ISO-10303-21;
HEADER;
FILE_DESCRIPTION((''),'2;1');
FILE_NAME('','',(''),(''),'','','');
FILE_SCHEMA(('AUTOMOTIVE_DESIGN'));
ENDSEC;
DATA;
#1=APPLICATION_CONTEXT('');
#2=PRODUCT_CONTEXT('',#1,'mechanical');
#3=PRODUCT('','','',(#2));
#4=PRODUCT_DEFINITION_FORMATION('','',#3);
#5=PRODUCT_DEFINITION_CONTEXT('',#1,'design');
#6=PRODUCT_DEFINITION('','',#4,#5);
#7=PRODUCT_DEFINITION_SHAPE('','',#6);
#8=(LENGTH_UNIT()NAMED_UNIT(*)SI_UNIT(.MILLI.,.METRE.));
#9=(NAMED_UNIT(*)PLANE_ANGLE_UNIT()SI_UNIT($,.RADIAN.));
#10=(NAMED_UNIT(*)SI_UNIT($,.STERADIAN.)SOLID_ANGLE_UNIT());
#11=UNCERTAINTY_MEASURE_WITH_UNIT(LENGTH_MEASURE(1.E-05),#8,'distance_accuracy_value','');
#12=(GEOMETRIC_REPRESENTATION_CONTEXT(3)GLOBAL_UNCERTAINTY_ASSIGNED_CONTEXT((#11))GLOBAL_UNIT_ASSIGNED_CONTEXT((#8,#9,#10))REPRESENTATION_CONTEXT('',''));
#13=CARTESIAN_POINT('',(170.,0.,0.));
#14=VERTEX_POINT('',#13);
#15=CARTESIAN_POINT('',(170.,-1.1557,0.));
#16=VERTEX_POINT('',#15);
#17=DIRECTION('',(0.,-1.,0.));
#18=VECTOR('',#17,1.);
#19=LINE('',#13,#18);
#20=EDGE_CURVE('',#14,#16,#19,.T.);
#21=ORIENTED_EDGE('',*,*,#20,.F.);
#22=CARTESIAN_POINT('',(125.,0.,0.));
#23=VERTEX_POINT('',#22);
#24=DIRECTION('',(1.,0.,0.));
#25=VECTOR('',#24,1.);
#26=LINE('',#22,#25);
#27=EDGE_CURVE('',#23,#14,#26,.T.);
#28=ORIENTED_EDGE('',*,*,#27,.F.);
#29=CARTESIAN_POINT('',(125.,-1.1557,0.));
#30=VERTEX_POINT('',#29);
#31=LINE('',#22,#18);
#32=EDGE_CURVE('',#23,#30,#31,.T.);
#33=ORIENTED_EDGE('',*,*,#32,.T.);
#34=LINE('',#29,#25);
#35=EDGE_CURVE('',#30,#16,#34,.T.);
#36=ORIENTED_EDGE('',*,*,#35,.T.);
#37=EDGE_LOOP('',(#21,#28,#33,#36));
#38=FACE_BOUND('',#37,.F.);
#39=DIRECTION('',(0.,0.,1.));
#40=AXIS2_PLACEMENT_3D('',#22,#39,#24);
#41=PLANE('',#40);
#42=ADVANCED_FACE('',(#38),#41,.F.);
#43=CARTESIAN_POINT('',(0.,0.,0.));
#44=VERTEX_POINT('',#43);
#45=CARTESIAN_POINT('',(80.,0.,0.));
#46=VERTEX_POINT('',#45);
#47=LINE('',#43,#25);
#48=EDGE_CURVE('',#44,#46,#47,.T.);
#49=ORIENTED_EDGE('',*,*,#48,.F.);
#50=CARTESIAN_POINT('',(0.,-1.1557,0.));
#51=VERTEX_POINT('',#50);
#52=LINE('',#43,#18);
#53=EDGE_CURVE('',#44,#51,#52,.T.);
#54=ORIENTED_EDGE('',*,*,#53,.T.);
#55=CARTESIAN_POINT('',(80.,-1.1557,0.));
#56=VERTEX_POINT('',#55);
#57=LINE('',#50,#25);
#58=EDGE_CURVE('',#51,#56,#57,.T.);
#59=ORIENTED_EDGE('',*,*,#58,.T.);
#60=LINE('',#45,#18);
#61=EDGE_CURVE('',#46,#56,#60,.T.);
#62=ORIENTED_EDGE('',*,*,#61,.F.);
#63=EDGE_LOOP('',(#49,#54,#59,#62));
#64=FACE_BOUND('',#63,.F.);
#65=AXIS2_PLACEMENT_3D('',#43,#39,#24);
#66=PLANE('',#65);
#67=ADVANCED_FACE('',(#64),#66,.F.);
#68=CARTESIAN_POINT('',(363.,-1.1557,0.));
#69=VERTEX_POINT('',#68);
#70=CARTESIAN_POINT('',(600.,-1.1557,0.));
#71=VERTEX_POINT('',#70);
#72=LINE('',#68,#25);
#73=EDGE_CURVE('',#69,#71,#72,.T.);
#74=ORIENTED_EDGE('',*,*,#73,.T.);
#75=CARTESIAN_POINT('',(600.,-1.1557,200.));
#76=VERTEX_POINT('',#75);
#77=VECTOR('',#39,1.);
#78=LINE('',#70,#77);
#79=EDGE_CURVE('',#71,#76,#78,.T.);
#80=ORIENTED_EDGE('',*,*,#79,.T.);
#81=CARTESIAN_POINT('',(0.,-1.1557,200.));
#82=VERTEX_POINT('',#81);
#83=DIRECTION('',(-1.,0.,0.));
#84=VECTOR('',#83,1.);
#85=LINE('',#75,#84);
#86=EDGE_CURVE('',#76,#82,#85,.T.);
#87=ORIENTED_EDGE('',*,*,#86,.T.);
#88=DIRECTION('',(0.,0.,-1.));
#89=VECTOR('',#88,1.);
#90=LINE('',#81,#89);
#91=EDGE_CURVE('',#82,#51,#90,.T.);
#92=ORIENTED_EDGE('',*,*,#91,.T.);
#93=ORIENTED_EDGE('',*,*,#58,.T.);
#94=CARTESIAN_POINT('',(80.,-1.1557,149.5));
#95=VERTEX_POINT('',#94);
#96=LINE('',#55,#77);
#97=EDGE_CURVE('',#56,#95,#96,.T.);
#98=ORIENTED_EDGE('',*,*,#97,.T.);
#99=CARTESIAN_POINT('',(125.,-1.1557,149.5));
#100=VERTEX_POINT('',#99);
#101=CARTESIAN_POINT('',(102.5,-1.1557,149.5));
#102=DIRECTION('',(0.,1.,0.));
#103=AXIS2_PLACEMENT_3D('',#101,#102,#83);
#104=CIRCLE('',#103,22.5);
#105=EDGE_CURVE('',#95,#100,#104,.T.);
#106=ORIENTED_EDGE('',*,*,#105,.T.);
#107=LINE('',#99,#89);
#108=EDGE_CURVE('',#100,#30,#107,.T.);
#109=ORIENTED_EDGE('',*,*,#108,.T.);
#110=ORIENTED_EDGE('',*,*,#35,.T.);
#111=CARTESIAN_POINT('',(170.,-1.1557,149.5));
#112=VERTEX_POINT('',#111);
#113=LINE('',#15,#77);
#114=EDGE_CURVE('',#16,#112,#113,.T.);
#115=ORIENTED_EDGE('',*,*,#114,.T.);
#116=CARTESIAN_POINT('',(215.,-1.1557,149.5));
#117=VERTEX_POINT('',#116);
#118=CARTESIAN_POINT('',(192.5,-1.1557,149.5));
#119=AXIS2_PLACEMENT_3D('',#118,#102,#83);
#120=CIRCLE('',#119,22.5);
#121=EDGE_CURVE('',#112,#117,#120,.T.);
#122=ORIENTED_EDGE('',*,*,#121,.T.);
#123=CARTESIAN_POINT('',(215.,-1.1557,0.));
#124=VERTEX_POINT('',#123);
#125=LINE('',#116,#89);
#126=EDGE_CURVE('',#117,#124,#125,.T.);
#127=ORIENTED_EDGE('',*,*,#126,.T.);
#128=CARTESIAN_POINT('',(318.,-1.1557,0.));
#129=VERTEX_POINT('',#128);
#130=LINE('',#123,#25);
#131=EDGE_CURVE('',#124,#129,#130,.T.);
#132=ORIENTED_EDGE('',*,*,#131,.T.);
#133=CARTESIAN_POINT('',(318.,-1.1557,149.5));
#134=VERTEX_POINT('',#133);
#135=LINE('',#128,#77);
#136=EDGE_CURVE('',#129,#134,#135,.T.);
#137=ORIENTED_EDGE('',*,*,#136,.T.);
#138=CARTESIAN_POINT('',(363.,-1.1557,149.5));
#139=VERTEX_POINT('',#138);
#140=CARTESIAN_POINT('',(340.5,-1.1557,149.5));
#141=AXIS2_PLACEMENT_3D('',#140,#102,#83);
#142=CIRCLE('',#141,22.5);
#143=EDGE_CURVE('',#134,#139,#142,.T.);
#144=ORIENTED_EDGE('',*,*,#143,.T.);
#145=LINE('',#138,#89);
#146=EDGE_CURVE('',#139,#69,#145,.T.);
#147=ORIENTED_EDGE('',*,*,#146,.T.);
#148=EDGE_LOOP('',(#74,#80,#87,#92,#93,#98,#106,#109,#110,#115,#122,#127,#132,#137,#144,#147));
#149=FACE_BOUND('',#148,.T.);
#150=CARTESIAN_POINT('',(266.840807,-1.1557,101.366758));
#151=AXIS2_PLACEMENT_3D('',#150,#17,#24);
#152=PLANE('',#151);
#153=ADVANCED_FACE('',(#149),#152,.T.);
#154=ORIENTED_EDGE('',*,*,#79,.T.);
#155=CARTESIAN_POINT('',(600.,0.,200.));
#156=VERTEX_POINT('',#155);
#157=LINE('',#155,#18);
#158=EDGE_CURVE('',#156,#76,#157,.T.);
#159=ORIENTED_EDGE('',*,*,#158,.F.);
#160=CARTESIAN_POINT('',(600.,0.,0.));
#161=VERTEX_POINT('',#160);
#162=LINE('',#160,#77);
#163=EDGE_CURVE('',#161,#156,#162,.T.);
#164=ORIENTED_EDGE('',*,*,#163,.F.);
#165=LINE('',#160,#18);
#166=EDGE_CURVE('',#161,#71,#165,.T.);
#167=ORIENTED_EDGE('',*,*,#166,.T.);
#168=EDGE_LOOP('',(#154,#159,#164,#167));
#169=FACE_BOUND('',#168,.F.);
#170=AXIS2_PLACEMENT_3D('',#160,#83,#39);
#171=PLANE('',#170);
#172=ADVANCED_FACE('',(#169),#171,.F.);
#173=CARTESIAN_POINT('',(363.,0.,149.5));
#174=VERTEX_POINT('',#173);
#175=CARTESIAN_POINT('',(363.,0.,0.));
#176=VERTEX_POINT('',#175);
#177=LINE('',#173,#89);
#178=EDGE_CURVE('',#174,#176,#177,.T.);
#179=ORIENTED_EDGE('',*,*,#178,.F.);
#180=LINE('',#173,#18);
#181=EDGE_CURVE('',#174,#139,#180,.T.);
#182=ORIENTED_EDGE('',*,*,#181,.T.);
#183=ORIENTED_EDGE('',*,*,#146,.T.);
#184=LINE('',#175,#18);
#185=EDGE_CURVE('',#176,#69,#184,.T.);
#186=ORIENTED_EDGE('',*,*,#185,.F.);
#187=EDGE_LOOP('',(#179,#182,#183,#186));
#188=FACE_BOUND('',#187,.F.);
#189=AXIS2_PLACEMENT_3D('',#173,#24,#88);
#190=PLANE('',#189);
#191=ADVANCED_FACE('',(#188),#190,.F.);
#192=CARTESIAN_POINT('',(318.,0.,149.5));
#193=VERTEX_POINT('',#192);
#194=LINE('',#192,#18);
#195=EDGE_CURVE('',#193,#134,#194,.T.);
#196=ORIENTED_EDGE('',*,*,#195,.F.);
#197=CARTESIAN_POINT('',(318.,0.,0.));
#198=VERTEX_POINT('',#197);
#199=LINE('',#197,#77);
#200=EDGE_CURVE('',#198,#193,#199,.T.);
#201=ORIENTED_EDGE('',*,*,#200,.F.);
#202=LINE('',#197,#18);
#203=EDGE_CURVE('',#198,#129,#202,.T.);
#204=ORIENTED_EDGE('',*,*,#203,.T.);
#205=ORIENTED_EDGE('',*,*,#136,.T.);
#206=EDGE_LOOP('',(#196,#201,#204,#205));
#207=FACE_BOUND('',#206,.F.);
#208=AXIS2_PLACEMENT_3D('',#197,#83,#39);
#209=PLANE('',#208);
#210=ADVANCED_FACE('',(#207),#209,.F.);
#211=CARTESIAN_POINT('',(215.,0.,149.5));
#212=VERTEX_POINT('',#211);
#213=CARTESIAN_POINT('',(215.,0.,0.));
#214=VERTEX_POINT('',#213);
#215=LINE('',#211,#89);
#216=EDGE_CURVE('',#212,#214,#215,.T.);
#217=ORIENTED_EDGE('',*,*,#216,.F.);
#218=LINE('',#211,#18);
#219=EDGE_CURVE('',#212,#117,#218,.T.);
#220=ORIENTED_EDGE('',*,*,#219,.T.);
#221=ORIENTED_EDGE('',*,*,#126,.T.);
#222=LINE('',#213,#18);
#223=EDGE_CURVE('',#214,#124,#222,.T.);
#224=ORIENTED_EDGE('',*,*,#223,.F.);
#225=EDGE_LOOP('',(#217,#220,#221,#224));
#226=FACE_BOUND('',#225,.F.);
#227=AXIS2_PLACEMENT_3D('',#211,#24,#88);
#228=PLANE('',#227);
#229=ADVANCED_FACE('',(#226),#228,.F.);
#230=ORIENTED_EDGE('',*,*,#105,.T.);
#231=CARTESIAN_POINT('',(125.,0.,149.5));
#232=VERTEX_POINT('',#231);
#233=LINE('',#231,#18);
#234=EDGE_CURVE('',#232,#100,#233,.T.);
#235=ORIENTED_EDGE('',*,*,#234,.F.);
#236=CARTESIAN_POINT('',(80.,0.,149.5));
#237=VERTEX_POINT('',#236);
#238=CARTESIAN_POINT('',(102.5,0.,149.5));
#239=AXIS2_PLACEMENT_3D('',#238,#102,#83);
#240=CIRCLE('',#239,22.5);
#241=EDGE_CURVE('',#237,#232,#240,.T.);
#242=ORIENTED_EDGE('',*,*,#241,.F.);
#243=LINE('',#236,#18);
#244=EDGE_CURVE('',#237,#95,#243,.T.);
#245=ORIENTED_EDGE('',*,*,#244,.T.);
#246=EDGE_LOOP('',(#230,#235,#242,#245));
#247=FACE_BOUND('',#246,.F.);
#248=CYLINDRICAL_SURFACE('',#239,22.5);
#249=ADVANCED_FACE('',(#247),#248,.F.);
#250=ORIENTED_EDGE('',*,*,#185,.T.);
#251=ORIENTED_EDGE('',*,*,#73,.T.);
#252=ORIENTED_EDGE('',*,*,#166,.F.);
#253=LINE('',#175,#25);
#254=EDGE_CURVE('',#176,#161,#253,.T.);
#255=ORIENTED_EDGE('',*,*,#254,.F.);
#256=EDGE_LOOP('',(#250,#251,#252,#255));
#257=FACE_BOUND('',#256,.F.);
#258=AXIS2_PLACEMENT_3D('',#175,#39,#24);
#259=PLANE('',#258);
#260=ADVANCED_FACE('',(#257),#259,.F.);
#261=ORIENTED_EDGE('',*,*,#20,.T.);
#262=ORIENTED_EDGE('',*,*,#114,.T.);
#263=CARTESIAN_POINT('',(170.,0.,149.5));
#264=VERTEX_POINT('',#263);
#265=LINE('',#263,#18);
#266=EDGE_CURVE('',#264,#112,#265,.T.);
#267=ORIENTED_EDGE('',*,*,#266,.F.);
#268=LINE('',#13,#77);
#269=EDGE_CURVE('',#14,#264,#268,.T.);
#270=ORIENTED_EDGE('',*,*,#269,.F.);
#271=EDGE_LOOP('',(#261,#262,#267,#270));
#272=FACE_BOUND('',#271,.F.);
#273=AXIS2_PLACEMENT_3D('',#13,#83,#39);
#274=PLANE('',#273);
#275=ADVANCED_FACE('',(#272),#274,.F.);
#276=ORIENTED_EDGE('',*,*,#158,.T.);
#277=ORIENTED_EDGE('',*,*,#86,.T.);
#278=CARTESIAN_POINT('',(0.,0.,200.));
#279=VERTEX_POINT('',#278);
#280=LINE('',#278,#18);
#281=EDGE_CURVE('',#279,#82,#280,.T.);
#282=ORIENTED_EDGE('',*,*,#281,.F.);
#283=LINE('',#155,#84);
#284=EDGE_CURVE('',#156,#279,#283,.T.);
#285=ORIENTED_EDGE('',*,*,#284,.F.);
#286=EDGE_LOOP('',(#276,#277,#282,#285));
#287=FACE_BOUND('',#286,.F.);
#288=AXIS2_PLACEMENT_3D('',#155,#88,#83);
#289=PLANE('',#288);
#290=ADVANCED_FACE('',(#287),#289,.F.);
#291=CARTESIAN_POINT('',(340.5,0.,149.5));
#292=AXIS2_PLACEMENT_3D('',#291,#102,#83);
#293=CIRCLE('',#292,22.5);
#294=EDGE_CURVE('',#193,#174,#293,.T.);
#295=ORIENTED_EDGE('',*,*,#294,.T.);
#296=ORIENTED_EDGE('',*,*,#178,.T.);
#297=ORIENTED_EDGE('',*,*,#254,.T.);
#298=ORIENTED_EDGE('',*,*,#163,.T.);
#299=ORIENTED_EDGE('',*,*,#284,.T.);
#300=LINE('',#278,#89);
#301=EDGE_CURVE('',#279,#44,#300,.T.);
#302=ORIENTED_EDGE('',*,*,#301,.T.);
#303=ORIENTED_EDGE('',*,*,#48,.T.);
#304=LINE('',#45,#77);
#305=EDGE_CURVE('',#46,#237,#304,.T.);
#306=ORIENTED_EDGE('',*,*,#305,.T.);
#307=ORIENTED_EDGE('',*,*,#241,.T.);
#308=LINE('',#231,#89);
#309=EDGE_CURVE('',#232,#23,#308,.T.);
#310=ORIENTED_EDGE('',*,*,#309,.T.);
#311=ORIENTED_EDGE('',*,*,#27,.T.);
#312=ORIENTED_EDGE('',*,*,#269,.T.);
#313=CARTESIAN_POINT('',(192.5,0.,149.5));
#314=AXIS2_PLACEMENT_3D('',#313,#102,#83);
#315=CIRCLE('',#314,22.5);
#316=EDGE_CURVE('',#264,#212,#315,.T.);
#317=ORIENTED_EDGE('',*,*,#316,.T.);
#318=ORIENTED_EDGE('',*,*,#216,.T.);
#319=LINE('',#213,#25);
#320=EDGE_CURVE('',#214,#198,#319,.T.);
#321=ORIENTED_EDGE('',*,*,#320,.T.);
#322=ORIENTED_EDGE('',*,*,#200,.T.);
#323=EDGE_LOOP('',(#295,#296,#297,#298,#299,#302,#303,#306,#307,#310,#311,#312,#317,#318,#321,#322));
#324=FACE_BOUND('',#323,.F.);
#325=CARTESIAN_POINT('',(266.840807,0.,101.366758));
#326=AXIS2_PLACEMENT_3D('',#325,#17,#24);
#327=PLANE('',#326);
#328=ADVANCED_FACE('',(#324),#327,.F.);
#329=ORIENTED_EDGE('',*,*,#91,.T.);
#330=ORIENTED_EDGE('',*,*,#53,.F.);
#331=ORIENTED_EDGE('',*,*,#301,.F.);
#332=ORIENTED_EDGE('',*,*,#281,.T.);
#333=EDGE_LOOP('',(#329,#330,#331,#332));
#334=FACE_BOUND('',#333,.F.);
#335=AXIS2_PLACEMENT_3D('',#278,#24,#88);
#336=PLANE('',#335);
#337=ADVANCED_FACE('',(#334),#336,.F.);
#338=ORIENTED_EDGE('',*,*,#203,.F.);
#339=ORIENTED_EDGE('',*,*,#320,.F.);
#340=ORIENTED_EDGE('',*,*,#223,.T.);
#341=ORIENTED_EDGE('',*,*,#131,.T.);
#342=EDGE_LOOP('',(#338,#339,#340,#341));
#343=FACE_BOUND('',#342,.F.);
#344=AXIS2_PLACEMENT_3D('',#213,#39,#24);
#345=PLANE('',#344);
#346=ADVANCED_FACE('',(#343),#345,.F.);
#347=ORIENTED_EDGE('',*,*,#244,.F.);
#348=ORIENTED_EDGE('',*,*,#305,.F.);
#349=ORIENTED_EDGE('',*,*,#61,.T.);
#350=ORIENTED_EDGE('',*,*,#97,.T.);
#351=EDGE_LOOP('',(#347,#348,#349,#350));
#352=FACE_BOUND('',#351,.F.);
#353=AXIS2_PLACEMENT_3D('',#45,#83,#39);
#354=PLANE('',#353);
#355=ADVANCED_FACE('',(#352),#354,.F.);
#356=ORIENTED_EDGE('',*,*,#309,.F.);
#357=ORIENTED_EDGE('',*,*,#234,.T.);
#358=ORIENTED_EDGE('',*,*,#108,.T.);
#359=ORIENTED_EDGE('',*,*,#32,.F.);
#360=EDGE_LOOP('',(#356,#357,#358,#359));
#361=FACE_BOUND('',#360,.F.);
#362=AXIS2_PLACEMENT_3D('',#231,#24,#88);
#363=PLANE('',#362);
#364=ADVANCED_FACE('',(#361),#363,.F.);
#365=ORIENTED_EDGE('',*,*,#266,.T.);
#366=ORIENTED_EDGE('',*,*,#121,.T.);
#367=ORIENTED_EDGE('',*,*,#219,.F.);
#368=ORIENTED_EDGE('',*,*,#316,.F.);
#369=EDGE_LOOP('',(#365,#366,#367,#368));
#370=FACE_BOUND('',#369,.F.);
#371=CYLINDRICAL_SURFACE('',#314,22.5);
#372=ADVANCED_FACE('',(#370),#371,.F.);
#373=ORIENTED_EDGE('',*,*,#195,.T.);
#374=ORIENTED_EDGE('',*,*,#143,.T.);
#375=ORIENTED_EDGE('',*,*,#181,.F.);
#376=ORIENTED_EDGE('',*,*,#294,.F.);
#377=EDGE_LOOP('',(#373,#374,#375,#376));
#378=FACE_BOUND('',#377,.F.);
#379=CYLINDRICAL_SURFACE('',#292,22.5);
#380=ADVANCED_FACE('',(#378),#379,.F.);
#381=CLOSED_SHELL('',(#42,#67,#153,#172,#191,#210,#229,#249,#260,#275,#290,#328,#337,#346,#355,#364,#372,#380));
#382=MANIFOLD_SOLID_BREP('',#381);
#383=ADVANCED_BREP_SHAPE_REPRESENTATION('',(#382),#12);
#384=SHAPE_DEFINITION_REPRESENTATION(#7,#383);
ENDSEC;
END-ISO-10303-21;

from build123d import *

# Parameters (mm, degrees)
F1_DEPTH = 1.1557


with BuildPart() as f1:
    # F0 (on Front) → F1 (new body)
    with BuildSketch(Plane.XZ):
        with BuildLine():
            Line((0, 200), (0, 0))
            Line((0, 0), (80, 0))
            Line((80, 0), (80, 149.5))
            ThreePointArc((80, 149.5), (102.5, 172), (125, 149.5))
            Line((125, 149.5), (125, 0))
            Line((125, 0), (170, 0))
            Line((170, 0), (170, 149.5))
            ThreePointArc((170, 149.5), (192.5, 172), (215, 149.5))
            Line((215, 149.5), (215, 0))
            Line((215, 0), (318, 0))
            Line((318, 0), (318, 149.5))
            ThreePointArc((318, 149.5), (340.5, 172), (363, 149.5))
            Line((363, 149.5), (363, 0))
            Line((363, 0), (600, 0))
            Line((600, 0), (600, 200))
            Line((600, 200), (0, 200))
        make_face()
    extrude(amount=F1_DEPTH)


solid = f1.part
